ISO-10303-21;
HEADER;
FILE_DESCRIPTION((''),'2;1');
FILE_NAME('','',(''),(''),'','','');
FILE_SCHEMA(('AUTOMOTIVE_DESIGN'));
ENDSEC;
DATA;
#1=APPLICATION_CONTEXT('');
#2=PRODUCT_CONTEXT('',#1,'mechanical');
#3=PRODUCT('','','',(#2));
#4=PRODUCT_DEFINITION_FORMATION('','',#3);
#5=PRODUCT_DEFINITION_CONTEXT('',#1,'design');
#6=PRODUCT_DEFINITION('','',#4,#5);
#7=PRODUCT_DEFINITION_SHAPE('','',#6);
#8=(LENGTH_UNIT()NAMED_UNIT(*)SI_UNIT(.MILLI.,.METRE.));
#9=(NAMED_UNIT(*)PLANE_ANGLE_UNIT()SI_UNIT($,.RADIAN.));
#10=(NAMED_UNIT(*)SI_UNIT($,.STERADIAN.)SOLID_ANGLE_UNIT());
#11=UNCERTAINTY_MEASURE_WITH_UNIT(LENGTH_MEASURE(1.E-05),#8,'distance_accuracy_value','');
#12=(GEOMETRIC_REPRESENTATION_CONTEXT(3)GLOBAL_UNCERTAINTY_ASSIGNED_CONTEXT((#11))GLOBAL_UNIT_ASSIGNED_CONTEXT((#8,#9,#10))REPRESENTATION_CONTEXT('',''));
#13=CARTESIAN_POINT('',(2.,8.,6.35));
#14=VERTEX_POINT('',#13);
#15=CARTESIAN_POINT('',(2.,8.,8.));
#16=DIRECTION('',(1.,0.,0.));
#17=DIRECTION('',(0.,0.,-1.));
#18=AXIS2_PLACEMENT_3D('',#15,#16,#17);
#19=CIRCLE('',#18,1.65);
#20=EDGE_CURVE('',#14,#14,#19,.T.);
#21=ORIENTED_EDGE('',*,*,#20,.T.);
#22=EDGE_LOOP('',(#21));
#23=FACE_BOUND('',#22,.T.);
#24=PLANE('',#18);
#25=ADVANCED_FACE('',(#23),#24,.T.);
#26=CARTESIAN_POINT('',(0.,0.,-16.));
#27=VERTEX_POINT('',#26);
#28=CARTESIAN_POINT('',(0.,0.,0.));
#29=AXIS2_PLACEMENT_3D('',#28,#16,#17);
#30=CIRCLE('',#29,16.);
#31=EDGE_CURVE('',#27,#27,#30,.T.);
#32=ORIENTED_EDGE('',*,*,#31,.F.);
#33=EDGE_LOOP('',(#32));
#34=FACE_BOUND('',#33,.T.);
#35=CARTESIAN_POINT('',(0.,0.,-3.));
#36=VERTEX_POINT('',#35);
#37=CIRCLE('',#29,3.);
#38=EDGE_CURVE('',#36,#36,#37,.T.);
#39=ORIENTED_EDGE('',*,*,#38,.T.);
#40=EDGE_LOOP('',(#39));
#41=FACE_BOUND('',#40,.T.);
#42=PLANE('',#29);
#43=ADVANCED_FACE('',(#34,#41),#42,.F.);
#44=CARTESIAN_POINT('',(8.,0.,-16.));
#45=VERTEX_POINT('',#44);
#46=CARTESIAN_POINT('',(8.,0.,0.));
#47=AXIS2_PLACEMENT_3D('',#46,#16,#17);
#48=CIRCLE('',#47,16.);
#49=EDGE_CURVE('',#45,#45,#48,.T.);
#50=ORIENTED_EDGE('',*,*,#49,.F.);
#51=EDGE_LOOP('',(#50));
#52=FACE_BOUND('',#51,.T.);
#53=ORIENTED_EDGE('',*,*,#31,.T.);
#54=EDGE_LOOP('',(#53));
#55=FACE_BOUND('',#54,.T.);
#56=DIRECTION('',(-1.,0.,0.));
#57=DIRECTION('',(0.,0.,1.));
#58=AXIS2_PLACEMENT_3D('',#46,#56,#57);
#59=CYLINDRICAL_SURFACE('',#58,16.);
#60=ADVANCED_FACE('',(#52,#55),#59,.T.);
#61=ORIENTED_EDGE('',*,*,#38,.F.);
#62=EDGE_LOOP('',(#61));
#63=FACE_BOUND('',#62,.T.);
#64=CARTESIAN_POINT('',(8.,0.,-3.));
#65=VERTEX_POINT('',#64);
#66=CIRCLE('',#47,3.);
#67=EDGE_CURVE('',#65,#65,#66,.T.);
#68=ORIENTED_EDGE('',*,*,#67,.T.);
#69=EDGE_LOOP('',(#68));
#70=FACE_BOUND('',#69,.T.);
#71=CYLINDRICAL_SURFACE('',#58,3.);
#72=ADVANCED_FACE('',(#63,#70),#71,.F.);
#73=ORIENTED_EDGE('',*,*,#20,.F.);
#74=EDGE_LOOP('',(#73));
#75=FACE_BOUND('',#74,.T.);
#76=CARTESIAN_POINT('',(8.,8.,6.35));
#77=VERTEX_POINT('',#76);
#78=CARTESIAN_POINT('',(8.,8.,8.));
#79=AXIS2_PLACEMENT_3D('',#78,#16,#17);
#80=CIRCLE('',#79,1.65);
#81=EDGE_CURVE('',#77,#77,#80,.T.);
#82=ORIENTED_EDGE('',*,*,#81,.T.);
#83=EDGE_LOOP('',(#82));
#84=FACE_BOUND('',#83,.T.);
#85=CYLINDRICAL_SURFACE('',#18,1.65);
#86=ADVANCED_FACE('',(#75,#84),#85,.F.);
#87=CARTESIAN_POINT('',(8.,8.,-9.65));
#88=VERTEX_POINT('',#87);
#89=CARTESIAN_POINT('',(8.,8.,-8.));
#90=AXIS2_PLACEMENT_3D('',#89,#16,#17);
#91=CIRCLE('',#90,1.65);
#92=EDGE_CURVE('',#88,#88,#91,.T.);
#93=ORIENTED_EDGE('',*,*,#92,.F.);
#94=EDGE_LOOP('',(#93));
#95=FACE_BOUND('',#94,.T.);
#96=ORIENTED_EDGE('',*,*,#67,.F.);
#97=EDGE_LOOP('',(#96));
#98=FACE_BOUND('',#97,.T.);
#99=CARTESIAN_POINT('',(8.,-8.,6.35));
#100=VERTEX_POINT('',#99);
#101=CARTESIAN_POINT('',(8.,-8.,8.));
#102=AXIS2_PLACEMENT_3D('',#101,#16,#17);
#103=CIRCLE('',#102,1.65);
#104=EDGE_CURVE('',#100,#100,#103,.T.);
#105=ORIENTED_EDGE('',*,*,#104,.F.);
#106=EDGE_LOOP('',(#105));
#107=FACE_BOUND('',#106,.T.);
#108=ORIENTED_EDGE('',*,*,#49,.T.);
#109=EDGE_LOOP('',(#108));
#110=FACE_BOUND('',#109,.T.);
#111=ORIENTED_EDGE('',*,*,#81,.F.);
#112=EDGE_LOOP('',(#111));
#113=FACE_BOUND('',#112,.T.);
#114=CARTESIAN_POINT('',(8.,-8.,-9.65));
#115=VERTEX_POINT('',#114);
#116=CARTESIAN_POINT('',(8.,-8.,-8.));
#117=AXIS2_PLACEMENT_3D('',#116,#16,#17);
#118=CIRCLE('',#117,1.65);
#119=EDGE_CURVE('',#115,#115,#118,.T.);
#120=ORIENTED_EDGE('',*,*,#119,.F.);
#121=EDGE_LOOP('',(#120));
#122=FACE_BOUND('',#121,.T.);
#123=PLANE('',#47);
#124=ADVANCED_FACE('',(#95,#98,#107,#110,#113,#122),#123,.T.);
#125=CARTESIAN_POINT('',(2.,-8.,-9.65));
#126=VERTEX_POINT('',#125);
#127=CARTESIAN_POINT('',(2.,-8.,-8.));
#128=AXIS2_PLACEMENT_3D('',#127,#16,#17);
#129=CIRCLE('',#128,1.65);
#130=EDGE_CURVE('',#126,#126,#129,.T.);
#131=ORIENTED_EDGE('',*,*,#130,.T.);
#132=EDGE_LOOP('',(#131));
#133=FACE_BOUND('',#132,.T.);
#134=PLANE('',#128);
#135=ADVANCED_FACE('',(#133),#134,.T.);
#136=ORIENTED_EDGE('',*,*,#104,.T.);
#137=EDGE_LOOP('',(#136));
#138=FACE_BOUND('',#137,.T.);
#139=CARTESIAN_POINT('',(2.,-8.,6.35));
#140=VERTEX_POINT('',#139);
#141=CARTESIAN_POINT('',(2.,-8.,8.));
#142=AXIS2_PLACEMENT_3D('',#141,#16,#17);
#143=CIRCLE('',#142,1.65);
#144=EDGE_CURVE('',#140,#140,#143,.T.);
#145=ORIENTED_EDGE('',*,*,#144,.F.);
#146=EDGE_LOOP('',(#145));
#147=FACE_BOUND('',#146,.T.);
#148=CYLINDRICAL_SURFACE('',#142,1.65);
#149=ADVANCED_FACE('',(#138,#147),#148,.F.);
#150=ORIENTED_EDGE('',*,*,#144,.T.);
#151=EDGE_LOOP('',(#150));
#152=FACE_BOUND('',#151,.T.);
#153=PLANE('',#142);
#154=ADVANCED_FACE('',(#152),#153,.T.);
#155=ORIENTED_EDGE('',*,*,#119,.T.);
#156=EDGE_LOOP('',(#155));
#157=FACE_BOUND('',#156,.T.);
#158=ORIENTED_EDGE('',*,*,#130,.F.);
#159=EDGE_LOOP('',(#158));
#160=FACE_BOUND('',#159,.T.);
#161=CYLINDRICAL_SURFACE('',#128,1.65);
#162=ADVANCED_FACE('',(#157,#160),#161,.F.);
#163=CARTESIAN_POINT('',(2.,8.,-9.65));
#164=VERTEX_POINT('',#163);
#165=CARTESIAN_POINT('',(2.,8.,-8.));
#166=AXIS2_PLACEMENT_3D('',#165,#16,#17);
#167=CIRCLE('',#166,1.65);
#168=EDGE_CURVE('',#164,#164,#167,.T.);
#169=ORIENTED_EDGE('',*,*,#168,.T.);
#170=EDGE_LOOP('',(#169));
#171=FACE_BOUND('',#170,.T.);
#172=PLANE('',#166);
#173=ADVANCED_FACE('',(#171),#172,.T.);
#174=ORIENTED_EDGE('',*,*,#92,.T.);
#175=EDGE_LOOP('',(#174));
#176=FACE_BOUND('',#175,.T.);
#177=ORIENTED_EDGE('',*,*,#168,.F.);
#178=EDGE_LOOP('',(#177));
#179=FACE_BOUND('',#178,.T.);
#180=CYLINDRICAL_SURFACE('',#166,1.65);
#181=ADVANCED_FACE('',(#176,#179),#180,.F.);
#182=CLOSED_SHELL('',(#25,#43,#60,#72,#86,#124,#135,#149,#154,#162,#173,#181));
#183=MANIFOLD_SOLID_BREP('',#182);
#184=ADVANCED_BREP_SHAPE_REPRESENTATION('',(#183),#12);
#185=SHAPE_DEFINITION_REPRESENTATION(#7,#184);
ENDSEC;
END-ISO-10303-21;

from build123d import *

# Parameters (mm, degrees)
SK_BODY_R                = 16
EX_BODY_DEPTH            = 8
SK_BORE_R                = 3
CUT_BORE_DEPTH           = 8
SK_PATTERN16_4XM4_R      = 1.65
CUT_PATTERN16_4XM4_DEPTH = 6


with BuildPart() as part:
    # SK_Body → EX_Body (new body)
    with BuildSketch(Plane(origin=(0, 0, 0), x_dir=(0, 0, -1), z_dir=(1, 0, 0))):
        Circle(SK_BODY_R)
    extrude(amount=EX_BODY_DEPTH)

    # SK_Bore → CUT_Bore (cut)
    with BuildSketch(Plane(origin=(0, 0, 0), x_dir=(0, 0, -1), z_dir=(1, 0, 0))):
        Circle(SK_BORE_R)
    extrude(amount=CUT_BORE_DEPTH, mode=Mode.SUBTRACT)

    # SK_Pattern16_4xM4 → CUT_Pattern16_4xM4 (cut)
    with BuildSketch(Plane(origin=(8, 0, 0), x_dir=(0, 0, -1), z_dir=(1, 0, 0))):
        with Locations((-8, 8)):
            Circle(SK_PATTERN16_4XM4_R)
        with Locations((-8, -8)):
            Circle(SK_PATTERN16_4XM4_R)
        with Locations((8, 8)):
            Circle(SK_PATTERN16_4XM4_R)
        with Locations((8, -8)):
            Circle(SK_PATTERN16_4XM4_R)
    extrude(amount=-CUT_PATTERN16_4XM4_DEPTH, mode=Mode.SUBTRACT)


solid = part.part
